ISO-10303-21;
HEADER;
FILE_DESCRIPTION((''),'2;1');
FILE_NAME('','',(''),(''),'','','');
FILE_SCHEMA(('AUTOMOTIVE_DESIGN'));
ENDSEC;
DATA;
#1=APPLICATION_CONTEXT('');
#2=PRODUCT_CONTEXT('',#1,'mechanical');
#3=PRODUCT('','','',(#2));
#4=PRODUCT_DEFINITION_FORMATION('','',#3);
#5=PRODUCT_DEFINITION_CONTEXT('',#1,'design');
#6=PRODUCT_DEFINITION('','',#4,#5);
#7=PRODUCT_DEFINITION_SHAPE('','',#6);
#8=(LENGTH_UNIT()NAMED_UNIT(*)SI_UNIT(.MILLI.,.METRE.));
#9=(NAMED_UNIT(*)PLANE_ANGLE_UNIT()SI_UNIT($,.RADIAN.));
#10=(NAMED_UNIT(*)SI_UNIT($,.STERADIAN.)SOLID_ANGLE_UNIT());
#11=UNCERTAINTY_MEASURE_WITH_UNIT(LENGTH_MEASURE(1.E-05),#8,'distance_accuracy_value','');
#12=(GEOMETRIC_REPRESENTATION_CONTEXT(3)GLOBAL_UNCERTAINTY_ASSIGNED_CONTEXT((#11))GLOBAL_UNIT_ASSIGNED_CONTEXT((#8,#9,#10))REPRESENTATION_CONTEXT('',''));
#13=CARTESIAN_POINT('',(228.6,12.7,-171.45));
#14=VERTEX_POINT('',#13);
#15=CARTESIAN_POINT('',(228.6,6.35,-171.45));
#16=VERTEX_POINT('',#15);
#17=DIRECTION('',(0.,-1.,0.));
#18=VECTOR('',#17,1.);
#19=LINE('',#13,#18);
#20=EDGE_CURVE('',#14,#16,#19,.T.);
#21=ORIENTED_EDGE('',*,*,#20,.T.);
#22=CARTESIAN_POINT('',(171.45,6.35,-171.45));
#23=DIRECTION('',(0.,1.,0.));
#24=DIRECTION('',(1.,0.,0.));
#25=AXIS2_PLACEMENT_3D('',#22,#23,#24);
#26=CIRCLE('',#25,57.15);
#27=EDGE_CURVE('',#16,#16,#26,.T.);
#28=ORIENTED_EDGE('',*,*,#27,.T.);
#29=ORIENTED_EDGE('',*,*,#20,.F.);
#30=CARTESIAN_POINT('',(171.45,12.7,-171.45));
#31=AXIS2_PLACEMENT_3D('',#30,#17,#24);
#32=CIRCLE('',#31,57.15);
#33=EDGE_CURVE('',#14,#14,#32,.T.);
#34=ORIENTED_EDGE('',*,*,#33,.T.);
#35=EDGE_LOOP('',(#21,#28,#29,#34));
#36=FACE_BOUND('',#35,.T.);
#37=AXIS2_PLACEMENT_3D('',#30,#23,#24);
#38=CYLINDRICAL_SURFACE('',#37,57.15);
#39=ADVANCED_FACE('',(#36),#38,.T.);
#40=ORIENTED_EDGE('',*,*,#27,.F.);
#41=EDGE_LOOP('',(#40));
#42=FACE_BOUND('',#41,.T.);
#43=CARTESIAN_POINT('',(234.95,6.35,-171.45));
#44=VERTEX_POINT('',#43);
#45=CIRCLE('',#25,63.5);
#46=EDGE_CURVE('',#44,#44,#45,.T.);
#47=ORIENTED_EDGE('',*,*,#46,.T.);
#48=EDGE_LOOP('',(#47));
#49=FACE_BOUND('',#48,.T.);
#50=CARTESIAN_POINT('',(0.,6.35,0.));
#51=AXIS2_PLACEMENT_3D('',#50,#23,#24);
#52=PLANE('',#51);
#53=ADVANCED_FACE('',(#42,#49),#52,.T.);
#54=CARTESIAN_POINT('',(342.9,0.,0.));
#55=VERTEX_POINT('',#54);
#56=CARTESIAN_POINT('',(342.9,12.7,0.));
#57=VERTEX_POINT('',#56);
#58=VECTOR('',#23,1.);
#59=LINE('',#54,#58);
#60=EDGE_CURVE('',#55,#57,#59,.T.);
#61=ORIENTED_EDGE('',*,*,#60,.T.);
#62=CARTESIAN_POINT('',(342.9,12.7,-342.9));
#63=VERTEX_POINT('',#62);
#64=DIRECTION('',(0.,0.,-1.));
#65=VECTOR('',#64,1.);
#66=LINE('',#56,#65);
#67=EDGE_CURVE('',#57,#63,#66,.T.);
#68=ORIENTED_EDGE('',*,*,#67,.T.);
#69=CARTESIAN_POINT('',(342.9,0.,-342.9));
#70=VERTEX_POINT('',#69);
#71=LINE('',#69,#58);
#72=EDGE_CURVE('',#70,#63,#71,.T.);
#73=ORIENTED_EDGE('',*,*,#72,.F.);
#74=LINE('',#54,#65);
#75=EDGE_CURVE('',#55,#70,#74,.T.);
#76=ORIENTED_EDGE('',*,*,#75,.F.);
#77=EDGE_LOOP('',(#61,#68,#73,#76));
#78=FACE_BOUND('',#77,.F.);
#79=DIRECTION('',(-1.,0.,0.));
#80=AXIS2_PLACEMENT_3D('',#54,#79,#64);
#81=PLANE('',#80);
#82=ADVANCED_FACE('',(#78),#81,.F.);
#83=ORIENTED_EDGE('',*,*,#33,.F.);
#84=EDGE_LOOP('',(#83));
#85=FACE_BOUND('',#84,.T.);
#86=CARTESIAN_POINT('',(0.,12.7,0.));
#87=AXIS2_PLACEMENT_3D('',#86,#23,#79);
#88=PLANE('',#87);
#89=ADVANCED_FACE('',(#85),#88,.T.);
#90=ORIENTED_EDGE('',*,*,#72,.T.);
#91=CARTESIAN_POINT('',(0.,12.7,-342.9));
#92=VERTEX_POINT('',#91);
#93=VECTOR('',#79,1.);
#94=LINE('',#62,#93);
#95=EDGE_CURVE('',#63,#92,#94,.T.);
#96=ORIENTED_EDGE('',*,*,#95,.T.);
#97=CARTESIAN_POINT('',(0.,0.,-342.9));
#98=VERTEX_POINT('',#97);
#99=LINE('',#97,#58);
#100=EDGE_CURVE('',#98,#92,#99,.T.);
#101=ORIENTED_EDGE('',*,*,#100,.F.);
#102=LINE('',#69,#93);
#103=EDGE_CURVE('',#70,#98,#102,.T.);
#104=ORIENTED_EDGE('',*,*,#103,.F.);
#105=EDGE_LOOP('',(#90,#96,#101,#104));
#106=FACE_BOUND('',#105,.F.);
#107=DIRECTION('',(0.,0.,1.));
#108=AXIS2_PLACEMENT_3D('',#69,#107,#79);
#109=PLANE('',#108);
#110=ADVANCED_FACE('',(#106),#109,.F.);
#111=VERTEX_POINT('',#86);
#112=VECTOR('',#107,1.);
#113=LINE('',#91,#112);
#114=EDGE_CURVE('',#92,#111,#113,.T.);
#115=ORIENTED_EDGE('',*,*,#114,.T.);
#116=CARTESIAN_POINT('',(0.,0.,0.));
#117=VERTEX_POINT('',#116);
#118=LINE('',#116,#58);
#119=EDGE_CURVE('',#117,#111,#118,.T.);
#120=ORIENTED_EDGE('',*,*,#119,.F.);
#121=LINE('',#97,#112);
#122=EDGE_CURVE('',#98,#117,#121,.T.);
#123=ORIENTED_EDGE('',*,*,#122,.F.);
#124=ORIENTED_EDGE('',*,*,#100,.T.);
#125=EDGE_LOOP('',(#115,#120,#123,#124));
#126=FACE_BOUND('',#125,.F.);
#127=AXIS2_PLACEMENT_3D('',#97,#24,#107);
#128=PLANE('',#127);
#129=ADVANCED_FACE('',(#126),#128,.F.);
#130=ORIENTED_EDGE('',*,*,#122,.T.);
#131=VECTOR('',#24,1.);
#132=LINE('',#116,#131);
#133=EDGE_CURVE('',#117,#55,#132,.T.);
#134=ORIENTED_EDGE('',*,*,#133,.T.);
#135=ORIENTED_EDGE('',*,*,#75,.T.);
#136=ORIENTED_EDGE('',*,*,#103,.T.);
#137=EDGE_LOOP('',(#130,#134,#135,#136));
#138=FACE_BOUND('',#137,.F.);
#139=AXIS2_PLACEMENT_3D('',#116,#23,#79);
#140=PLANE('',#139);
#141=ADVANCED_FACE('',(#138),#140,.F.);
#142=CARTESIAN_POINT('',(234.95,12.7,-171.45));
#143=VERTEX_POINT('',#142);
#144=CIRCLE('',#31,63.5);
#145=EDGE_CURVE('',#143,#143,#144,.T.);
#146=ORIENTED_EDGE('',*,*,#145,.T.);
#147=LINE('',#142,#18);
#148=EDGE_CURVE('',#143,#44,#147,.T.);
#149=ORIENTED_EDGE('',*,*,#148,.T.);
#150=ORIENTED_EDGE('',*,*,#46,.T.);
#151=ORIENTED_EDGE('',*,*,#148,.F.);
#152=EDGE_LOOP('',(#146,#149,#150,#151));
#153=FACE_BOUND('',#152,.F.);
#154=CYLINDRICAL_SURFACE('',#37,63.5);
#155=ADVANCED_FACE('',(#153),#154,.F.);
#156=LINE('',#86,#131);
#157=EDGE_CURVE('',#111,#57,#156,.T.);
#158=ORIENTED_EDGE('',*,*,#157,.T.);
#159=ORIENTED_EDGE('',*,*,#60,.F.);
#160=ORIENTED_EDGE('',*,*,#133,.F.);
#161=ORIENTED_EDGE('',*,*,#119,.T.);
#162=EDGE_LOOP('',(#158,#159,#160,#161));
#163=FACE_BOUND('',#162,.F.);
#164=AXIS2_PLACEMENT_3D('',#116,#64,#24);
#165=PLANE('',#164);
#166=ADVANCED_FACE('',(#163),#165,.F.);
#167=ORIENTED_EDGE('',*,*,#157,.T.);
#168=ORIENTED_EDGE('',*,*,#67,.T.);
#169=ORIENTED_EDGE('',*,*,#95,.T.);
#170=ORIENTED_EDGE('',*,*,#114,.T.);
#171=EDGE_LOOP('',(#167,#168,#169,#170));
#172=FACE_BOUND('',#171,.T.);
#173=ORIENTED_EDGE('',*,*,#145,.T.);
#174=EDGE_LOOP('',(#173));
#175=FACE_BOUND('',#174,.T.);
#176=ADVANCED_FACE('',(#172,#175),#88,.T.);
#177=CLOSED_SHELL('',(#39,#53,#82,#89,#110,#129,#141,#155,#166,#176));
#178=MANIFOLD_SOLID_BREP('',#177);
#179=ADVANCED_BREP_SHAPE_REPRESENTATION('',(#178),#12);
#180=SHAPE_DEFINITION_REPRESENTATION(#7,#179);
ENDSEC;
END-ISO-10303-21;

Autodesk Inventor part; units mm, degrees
ref_plane "YZ Plane" through (0, 0, 0) normal (1, 0, 0) x (0, 1, 0)
ref_plane "XZ Plane" through (0, 0, 0) normal (0, 1, 0) x (-1, 0, 0)
ref_plane "XY Plane" through (0, 0, 0) normal (0, 0, 1) x (1, 0, 0)
sketch "Sketch1" plane through (0, 0, 0) normal (0, 1, 0) x (-1, 0, 0)
  line L0 (0, 0) -> (-342.9, 0)
  line L1 (-342.9, 0) -> (-342.9, -342.9)
  line L2 (-342.9, -342.9) -> (0, -342.9)
  line L3 (0, -342.9) -> (0, 0)
  dimension "d0" = 342.9
  dimension "d1" = 342.9
extrude "Extrusion1" add sketch "Sketch1" along normal blind 12.7
sketch "Sketch2" plane through (0, 12.7, 0) normal (0, 1, 0) x (1, 0, 0)
  line L0 (0, 0) -> (342.9, 0) projected
  line L1 (171.45, 0) -> (171.45, 342.9)
  line L2 (342.9, 342.9) -> (0, 342.9) projected
  circle A0 centre (171.45, 171.45) radius 57.15
  circle A1 centre (171.45, 171.45) radius 63.5
  dimension "d4" = 114.3
  dimension "d5" = 6.35
extrude "Extrusion2" cut sketch "Sketch2" against normal blind 6.35 contours A1 L1 A0 | L1 A0 A1
properties part number "bottom"
